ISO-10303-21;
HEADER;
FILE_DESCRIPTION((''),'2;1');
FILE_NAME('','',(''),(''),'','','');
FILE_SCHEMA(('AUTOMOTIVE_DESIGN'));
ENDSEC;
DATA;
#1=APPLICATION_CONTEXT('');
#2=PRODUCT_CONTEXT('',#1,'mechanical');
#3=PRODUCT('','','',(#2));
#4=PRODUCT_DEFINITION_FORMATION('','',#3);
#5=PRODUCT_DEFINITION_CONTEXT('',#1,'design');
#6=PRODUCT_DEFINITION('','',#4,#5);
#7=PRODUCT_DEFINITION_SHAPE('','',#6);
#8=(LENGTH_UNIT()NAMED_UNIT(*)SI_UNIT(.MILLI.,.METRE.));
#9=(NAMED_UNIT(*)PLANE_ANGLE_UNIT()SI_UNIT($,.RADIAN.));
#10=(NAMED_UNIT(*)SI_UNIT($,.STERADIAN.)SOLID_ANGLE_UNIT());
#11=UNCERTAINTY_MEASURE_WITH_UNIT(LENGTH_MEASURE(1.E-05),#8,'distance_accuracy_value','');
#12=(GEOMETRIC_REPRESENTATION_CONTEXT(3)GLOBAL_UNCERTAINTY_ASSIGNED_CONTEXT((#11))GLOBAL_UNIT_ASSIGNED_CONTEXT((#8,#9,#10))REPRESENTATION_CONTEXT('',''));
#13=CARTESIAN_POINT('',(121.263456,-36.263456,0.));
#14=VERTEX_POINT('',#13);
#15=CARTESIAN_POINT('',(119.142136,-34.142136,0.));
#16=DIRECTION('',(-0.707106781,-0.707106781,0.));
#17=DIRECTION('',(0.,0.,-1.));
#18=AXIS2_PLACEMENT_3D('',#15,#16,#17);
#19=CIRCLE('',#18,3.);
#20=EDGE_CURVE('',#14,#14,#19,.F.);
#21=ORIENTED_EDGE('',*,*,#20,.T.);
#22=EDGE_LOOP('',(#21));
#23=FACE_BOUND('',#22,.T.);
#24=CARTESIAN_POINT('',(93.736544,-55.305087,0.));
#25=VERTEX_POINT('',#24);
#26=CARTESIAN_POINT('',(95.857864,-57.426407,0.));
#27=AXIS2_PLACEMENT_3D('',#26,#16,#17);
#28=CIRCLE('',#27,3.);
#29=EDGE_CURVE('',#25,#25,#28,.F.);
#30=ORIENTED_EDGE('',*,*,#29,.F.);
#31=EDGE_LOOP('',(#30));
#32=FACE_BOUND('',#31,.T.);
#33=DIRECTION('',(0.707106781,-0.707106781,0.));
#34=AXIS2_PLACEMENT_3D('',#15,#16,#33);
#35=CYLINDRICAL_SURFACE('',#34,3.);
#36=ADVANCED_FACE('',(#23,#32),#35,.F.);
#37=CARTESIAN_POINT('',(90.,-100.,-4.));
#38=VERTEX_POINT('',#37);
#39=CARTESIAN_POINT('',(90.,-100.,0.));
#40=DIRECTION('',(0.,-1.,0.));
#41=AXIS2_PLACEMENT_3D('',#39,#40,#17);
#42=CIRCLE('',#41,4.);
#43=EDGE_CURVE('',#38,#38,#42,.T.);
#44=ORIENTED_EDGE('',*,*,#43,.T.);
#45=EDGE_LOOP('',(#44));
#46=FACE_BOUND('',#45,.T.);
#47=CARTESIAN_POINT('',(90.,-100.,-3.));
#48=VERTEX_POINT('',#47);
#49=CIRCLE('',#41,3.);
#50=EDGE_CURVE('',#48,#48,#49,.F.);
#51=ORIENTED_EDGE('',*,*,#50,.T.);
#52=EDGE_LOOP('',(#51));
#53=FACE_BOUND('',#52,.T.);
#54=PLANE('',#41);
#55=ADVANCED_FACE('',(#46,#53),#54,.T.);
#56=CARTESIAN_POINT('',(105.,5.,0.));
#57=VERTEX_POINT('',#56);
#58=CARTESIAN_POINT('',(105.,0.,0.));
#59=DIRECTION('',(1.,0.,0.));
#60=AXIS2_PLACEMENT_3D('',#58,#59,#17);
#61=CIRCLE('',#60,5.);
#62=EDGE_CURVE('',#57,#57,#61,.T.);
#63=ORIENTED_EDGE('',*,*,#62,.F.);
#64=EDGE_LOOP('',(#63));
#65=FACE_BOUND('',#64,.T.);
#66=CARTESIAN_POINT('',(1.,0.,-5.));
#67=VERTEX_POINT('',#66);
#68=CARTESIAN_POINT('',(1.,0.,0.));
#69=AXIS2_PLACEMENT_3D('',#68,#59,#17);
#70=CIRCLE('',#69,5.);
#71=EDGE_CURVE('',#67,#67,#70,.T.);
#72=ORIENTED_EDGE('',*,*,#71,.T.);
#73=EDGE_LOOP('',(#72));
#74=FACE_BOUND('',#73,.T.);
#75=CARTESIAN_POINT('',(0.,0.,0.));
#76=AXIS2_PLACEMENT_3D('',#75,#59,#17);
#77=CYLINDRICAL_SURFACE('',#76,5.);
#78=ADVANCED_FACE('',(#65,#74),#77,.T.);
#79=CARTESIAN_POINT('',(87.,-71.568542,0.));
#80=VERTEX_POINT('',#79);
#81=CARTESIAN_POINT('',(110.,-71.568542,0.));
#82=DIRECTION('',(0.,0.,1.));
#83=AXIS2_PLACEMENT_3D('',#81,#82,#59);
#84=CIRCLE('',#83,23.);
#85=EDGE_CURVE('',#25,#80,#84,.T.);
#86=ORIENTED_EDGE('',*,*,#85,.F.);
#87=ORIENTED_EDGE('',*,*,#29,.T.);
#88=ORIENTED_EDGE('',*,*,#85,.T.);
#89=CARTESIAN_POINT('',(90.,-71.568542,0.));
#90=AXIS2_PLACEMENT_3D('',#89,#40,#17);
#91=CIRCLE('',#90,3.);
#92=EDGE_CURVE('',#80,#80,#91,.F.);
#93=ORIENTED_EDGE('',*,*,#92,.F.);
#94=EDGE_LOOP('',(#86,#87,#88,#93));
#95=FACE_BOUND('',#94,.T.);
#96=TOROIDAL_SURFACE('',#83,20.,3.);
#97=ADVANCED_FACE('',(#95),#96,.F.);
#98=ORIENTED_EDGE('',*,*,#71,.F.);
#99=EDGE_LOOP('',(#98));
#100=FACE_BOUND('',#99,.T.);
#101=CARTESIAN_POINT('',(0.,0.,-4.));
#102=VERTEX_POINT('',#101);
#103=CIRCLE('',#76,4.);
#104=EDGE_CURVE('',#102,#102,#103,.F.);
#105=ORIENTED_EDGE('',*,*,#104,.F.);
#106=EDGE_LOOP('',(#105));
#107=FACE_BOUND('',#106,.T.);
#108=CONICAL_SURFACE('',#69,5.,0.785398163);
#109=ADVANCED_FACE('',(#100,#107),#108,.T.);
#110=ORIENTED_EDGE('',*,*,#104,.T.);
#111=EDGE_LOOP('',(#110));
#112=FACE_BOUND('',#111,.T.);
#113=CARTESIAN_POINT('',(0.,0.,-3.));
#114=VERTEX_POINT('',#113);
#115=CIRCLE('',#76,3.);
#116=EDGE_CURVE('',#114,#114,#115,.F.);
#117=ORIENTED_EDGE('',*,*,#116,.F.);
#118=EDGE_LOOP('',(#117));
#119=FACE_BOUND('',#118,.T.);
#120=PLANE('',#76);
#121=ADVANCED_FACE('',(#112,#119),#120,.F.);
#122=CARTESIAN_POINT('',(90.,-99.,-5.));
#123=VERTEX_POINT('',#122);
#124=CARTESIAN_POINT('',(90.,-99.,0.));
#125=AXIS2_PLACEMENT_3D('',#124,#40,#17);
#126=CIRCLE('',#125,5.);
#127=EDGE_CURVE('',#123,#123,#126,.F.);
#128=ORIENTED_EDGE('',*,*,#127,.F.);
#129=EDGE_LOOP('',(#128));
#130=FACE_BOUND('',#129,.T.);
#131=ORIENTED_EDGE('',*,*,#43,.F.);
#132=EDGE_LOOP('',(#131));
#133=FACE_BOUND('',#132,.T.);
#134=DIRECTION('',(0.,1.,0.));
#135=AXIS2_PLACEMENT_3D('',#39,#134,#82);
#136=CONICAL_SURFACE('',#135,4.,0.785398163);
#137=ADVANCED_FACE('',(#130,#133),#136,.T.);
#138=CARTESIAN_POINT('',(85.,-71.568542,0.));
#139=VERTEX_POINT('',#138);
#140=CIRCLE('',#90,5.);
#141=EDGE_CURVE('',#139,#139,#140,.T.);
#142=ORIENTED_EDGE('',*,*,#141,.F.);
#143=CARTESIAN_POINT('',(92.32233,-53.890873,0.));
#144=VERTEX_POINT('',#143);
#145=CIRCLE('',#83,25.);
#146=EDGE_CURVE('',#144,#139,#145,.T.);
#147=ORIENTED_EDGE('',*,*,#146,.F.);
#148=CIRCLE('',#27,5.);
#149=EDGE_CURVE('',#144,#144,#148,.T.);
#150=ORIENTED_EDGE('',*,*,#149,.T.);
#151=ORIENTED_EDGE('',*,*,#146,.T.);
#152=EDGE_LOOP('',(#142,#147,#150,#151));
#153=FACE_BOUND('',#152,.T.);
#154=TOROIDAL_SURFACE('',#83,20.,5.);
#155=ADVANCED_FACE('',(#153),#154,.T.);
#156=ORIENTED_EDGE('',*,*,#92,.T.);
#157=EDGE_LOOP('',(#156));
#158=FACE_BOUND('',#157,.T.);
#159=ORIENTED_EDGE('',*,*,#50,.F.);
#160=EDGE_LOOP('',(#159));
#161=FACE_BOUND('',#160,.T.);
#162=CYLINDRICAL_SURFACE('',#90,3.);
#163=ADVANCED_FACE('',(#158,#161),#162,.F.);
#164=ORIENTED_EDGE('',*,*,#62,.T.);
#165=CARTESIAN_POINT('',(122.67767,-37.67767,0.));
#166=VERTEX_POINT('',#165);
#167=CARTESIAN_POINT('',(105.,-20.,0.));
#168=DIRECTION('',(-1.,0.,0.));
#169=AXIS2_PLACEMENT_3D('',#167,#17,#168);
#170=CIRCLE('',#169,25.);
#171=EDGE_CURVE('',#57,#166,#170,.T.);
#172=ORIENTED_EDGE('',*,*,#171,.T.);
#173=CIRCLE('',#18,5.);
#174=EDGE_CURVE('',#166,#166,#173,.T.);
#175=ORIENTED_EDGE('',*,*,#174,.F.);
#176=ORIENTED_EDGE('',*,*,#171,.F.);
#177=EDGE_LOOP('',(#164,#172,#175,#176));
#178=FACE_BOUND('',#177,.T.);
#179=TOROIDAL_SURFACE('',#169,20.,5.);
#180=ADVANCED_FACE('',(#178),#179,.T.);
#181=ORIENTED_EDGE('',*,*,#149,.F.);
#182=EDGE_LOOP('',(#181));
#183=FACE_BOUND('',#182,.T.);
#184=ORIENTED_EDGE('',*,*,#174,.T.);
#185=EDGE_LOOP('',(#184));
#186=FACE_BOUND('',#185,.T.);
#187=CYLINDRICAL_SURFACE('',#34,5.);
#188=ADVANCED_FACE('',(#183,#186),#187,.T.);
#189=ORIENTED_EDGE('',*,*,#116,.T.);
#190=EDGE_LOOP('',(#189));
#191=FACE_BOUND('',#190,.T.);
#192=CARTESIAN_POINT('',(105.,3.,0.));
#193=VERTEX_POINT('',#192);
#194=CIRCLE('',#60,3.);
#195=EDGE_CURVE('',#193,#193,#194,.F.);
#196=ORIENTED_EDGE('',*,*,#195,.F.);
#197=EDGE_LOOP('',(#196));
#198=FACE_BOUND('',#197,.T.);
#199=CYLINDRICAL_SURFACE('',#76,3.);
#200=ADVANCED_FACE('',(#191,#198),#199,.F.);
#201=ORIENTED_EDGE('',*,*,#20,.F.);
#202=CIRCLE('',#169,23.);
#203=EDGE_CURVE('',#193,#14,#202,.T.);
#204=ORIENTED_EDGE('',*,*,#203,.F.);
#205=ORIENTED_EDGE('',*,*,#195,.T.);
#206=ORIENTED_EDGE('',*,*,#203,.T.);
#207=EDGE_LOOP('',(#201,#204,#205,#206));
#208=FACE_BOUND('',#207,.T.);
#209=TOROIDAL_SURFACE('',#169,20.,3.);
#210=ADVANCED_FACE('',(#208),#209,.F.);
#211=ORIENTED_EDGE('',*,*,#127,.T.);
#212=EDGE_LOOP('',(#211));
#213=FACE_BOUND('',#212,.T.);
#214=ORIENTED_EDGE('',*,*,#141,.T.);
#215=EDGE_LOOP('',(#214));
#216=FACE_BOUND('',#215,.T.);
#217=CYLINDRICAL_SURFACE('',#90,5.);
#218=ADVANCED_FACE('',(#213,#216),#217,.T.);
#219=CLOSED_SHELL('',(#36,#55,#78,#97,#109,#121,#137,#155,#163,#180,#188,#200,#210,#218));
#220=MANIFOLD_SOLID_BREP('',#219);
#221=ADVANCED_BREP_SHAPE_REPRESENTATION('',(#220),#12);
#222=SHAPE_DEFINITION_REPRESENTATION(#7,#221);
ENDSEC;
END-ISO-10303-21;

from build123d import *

# Parameters (mm, degrees)
SKETCH_2_R     = 5
SKETCH_2_R_2   = 3
CHAMFER_1_SIZE = 1


with BuildPart() as part:
    # По траектории1: sweep along a path in Эскиз1
    with BuildLine(Plane.XY) as sweep_1_path:
        Line((0, 0), (105, 0))
        ThreePointArc((105, 0), (123.47759065, -12.346331353), (119.142135624, -34.142135624))
        Line((119.142135624, -34.142135624), (95.857864376, -57.426406871))
        ThreePointArc((95.857864376, -57.426406871), (91.52240935, -63.914873848), (90, -71.568542495))
        Line((90, -71.568542495), (90, -100))
    # Эскиз2 → По траектории1 (sweep)
    with BuildSketch(Plane(origin=(0, 0, 0), x_dir=(0, 0, -1), z_dir=(1, 0, 0))):
        Circle(SKETCH_2_R)
        Circle(SKETCH_2_R_2, mode=Mode.SUBTRACT)
    sweep(path=sweep_1_path.line)

    # Фаска1
    chamfer_1_edges = [part.edges().sort_by_distance(p)[0] for p in [
        (90, -100, 5),
        (0, 0, 5),
    ]]
    chamfer(chamfer_1_edges, length=CHAMFER_1_SIZE)


solid = part.part
